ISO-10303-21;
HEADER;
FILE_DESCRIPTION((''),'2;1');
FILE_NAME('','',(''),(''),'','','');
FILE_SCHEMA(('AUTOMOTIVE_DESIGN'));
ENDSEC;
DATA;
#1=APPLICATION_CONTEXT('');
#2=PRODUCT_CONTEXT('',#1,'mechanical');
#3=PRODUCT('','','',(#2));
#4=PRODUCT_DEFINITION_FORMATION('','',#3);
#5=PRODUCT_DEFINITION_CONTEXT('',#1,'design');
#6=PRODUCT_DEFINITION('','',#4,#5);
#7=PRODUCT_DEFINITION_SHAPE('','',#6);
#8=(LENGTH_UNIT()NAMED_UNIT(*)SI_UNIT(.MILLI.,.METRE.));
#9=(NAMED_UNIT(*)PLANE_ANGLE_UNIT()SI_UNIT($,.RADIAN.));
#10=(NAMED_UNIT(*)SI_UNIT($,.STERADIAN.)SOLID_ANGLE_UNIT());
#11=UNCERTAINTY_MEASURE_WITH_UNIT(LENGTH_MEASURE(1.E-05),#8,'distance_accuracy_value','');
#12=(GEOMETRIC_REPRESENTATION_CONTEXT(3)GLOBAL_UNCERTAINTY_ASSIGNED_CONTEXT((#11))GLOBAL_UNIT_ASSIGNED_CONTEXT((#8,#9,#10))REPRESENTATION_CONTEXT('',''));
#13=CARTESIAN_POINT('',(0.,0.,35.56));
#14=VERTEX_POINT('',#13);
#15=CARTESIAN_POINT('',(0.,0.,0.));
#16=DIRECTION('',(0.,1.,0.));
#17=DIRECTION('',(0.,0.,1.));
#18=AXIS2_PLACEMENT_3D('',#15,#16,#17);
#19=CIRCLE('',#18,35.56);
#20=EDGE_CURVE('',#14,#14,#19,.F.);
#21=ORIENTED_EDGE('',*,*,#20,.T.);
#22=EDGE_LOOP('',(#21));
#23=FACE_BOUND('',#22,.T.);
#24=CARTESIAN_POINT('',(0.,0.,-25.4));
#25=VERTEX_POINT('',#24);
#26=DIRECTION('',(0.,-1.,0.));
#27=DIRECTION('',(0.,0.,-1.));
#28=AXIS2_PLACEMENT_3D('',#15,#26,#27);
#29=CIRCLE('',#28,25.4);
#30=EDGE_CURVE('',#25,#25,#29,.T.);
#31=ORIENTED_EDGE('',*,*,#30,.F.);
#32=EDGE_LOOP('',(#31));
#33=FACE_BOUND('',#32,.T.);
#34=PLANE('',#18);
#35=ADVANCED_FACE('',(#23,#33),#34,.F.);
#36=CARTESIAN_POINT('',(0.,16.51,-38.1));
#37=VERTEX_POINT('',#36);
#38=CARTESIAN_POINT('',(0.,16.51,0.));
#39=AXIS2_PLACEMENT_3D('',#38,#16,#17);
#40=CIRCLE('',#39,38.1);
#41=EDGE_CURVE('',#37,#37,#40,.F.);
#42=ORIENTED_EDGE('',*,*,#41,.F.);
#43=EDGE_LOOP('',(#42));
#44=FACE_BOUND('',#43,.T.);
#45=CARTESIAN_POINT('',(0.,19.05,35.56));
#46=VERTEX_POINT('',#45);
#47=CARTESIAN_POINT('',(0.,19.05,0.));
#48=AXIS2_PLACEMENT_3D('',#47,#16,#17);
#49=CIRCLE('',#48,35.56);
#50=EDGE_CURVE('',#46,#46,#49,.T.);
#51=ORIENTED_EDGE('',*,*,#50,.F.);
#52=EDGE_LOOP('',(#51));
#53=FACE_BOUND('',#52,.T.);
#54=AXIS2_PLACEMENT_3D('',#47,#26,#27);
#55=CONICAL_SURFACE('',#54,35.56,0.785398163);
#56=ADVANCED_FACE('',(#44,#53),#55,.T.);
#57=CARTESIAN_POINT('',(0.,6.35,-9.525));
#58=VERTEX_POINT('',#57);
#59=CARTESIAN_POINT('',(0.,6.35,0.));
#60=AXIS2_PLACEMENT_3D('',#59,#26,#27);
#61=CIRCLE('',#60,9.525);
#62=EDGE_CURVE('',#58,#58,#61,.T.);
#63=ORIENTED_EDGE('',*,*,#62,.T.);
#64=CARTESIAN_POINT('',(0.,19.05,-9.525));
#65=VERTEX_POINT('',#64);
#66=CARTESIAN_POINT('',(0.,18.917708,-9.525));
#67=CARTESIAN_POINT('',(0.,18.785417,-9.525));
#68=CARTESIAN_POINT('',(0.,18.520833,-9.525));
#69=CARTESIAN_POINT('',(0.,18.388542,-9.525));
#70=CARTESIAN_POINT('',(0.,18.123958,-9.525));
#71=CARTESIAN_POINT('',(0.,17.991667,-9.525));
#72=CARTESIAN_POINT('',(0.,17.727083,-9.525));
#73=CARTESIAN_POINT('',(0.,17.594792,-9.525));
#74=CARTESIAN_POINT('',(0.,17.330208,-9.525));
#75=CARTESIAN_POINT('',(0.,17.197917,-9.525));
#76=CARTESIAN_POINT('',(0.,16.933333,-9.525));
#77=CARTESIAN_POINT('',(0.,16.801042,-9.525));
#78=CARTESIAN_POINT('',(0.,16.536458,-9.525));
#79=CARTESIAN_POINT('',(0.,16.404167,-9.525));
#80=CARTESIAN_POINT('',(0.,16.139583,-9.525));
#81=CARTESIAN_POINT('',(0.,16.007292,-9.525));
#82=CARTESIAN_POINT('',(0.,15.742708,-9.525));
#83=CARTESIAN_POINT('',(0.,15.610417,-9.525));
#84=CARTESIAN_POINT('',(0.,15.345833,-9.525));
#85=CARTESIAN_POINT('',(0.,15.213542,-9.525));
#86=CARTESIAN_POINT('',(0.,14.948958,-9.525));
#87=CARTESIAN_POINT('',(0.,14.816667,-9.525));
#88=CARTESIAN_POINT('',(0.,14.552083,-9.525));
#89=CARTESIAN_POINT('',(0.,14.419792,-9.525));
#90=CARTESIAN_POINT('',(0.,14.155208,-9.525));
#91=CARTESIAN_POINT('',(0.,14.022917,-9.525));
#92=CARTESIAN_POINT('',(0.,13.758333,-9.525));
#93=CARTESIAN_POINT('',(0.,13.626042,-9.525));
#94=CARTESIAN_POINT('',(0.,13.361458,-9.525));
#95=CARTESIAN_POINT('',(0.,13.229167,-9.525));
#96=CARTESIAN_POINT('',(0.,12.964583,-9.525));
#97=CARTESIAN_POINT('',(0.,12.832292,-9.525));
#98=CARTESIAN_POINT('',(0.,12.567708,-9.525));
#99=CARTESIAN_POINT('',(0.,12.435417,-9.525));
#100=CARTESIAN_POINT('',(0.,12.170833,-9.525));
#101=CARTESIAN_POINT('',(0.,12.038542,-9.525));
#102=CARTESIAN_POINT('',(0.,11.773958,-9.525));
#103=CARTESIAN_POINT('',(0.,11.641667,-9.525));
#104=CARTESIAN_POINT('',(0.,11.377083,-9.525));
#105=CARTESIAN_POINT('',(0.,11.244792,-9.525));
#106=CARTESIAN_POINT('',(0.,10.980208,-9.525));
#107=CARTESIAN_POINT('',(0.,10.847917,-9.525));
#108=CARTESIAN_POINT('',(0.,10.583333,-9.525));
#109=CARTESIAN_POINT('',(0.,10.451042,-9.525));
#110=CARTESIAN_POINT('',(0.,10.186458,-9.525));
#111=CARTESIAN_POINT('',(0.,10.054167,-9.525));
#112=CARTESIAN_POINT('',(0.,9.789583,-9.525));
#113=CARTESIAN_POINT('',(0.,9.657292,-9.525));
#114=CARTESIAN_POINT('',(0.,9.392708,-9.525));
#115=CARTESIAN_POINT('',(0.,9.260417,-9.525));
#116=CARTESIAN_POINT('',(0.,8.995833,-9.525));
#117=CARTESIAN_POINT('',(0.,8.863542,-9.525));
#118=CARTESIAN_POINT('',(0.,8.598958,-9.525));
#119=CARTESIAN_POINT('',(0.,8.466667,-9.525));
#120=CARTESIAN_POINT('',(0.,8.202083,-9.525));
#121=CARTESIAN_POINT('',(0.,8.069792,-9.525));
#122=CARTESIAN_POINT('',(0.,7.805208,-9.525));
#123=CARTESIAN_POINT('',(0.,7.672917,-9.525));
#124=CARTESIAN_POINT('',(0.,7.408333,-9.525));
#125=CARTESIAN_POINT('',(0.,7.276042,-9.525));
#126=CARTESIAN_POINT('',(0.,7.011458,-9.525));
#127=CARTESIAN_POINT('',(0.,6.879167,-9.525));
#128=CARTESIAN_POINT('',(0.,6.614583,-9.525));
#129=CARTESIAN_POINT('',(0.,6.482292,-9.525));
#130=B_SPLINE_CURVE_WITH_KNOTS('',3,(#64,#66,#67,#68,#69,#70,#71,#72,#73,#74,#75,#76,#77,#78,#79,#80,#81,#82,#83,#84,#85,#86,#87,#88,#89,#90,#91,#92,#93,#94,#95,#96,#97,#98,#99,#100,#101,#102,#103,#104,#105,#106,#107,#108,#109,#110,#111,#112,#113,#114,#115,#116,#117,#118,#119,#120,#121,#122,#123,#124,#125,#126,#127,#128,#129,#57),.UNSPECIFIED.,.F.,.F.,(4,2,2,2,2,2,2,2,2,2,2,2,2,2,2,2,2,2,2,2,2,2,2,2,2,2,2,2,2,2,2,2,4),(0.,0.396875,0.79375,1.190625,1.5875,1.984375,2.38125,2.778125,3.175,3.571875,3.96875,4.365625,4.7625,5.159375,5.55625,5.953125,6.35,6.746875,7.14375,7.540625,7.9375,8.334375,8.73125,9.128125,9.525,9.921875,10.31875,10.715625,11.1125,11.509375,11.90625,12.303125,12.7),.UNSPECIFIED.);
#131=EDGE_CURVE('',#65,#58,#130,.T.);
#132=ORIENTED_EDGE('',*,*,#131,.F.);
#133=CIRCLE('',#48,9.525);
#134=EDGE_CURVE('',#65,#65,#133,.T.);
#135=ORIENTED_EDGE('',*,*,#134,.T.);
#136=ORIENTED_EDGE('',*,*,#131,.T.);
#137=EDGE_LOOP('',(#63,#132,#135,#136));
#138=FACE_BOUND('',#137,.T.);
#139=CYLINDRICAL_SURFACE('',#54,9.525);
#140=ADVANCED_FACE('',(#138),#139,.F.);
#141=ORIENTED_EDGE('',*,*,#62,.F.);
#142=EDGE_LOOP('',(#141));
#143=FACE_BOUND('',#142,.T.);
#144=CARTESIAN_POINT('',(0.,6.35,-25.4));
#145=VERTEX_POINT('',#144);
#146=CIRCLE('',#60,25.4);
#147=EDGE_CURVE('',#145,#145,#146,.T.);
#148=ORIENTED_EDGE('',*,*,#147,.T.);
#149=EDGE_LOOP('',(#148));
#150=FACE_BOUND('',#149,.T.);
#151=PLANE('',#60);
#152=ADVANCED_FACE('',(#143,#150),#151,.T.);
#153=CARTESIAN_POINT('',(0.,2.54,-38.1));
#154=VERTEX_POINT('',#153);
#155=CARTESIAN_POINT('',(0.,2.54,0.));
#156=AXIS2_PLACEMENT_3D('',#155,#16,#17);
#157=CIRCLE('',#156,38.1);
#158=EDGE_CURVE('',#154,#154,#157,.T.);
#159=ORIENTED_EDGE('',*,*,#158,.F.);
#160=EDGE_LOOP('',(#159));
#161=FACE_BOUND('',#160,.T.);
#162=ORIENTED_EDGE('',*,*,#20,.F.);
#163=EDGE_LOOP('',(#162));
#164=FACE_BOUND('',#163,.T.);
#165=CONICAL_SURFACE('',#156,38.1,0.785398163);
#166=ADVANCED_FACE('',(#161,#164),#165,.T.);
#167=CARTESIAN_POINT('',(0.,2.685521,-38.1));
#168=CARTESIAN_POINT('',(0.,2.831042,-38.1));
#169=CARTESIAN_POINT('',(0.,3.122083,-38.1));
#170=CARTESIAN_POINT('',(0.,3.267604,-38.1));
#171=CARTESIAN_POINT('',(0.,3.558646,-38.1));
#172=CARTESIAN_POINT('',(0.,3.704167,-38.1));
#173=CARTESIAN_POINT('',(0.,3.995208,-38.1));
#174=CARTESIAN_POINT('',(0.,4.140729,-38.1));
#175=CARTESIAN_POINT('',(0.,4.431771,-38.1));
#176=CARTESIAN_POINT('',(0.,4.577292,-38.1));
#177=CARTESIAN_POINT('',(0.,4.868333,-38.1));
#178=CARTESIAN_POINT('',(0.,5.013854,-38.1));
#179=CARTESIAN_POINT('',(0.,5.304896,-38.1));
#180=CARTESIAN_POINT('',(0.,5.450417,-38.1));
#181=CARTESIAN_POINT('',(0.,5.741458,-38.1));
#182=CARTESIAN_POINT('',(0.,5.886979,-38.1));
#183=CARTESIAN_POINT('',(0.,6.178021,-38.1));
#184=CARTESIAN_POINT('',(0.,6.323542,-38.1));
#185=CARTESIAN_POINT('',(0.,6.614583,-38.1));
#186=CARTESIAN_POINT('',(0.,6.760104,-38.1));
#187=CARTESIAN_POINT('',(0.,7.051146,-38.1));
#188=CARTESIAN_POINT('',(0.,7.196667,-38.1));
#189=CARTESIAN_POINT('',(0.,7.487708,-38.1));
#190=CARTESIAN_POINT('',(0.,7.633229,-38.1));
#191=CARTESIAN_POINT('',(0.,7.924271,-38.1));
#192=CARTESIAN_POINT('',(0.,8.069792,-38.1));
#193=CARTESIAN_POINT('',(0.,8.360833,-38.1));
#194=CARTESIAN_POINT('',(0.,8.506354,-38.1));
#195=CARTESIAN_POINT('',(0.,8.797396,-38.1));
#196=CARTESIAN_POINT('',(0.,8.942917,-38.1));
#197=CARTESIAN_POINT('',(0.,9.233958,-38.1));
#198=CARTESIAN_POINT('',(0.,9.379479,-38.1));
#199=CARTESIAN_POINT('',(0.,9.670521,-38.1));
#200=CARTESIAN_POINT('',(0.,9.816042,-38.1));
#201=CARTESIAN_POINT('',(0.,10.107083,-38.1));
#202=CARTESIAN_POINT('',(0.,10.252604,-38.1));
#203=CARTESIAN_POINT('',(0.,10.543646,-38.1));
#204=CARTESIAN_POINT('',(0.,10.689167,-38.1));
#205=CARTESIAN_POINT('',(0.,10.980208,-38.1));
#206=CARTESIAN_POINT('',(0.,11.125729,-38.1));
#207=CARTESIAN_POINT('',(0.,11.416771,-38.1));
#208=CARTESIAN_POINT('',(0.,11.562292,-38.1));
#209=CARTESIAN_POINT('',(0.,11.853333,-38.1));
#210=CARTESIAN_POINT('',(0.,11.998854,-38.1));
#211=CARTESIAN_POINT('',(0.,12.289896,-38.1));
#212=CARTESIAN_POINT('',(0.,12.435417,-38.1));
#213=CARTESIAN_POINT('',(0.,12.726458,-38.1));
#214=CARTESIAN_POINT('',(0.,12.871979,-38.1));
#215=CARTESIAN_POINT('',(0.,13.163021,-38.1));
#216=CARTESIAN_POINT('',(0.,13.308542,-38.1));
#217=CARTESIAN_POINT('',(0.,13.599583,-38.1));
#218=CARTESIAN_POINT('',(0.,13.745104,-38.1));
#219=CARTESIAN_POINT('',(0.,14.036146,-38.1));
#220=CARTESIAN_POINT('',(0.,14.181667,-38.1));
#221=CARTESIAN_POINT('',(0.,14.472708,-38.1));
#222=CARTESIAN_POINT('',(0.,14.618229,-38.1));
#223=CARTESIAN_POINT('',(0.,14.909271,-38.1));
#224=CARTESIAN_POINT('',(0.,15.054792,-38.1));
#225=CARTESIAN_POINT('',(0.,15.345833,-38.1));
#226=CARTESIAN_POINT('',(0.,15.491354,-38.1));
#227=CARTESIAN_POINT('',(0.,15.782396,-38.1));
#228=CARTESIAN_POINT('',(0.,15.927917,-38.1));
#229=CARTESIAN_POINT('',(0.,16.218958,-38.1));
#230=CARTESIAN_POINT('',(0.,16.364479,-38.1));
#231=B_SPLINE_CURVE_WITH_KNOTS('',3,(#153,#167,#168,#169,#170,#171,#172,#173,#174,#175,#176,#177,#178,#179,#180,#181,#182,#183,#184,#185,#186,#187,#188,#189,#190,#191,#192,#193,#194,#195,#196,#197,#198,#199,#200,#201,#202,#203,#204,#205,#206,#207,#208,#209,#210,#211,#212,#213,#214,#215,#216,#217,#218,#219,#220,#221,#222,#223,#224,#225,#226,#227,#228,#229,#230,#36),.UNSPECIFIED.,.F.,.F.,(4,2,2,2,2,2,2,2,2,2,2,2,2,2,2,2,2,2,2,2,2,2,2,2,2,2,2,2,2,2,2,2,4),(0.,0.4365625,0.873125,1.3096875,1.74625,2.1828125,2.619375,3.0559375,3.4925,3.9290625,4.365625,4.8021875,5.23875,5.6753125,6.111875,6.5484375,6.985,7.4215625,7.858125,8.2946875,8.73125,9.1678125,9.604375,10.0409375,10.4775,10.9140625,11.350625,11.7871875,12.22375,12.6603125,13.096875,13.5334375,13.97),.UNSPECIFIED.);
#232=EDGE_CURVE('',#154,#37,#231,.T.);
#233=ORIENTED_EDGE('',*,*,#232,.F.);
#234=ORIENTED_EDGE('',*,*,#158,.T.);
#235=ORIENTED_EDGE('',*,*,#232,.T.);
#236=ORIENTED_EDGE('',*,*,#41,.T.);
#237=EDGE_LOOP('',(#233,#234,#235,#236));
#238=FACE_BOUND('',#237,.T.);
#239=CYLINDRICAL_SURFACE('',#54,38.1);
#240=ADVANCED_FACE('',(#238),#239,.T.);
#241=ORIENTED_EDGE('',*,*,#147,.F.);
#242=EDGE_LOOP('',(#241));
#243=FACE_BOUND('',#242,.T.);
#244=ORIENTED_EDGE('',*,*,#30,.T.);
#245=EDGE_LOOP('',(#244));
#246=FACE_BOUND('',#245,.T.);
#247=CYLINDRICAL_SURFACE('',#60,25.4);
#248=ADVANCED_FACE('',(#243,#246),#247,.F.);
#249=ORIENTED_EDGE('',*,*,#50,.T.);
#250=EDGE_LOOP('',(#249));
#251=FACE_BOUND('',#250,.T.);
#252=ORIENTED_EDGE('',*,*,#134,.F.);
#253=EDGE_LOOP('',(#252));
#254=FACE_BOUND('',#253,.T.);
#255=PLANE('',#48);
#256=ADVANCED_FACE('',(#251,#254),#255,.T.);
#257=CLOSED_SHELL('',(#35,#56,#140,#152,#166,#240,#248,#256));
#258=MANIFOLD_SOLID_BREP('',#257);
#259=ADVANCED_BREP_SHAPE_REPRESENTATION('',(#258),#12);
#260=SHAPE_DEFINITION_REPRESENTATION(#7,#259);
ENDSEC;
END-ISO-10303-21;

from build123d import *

# Parameters (mm, degrees)
SKETCH1_R           = 38.1
SKETCH1_R_2         = 9.525
BOSS_EXTRUDE1_DEPTH = 19.05
CHAMFER1_SIZE       = 2.54
SKETCH3_R           = 25.4
CUT_EXTRUDE2_DEPTH  = 6.35


with BuildPart() as part:
    # Sketch1 → Boss-Extrude1 (new body)
    with BuildSketch(Plane(origin=(0, 0, 0), x_dir=(1, 0, 0), z_dir=(0, 1, 0))):
        with Locations(Location((0, 0, 0), (0, 0, 90))):
            Circle(SKETCH1_R)
        with Locations(Location((0, 0, 0), (0, 0, 90))):
            Circle(SKETCH1_R_2, mode=Mode.SUBTRACT)
    extrude(amount=BOSS_EXTRUDE1_DEPTH)

    # Chamfer1
    chamfer1_edges = [part.edges().sort_by_distance(p)[0] for p in [
        (0, 0, 38.1),
        (0, 19.05, 38.1),
    ]]
    chamfer(chamfer1_edges, length=CHAMFER1_SIZE)

    # Sketch3 → Cut-Extrude2 (cut)
    with BuildSketch(Plane(origin=(0, 0, 0), x_dir=(-1, 0, 0), z_dir=(0, -1, 0))):
        with Locations(Location((0, 0, 0), (0, 0, 90))):
            Circle(SKETCH3_R)
    extrude(amount=-CUT_EXTRUDE2_DEPTH, mode=Mode.SUBTRACT)


solid = part.part
